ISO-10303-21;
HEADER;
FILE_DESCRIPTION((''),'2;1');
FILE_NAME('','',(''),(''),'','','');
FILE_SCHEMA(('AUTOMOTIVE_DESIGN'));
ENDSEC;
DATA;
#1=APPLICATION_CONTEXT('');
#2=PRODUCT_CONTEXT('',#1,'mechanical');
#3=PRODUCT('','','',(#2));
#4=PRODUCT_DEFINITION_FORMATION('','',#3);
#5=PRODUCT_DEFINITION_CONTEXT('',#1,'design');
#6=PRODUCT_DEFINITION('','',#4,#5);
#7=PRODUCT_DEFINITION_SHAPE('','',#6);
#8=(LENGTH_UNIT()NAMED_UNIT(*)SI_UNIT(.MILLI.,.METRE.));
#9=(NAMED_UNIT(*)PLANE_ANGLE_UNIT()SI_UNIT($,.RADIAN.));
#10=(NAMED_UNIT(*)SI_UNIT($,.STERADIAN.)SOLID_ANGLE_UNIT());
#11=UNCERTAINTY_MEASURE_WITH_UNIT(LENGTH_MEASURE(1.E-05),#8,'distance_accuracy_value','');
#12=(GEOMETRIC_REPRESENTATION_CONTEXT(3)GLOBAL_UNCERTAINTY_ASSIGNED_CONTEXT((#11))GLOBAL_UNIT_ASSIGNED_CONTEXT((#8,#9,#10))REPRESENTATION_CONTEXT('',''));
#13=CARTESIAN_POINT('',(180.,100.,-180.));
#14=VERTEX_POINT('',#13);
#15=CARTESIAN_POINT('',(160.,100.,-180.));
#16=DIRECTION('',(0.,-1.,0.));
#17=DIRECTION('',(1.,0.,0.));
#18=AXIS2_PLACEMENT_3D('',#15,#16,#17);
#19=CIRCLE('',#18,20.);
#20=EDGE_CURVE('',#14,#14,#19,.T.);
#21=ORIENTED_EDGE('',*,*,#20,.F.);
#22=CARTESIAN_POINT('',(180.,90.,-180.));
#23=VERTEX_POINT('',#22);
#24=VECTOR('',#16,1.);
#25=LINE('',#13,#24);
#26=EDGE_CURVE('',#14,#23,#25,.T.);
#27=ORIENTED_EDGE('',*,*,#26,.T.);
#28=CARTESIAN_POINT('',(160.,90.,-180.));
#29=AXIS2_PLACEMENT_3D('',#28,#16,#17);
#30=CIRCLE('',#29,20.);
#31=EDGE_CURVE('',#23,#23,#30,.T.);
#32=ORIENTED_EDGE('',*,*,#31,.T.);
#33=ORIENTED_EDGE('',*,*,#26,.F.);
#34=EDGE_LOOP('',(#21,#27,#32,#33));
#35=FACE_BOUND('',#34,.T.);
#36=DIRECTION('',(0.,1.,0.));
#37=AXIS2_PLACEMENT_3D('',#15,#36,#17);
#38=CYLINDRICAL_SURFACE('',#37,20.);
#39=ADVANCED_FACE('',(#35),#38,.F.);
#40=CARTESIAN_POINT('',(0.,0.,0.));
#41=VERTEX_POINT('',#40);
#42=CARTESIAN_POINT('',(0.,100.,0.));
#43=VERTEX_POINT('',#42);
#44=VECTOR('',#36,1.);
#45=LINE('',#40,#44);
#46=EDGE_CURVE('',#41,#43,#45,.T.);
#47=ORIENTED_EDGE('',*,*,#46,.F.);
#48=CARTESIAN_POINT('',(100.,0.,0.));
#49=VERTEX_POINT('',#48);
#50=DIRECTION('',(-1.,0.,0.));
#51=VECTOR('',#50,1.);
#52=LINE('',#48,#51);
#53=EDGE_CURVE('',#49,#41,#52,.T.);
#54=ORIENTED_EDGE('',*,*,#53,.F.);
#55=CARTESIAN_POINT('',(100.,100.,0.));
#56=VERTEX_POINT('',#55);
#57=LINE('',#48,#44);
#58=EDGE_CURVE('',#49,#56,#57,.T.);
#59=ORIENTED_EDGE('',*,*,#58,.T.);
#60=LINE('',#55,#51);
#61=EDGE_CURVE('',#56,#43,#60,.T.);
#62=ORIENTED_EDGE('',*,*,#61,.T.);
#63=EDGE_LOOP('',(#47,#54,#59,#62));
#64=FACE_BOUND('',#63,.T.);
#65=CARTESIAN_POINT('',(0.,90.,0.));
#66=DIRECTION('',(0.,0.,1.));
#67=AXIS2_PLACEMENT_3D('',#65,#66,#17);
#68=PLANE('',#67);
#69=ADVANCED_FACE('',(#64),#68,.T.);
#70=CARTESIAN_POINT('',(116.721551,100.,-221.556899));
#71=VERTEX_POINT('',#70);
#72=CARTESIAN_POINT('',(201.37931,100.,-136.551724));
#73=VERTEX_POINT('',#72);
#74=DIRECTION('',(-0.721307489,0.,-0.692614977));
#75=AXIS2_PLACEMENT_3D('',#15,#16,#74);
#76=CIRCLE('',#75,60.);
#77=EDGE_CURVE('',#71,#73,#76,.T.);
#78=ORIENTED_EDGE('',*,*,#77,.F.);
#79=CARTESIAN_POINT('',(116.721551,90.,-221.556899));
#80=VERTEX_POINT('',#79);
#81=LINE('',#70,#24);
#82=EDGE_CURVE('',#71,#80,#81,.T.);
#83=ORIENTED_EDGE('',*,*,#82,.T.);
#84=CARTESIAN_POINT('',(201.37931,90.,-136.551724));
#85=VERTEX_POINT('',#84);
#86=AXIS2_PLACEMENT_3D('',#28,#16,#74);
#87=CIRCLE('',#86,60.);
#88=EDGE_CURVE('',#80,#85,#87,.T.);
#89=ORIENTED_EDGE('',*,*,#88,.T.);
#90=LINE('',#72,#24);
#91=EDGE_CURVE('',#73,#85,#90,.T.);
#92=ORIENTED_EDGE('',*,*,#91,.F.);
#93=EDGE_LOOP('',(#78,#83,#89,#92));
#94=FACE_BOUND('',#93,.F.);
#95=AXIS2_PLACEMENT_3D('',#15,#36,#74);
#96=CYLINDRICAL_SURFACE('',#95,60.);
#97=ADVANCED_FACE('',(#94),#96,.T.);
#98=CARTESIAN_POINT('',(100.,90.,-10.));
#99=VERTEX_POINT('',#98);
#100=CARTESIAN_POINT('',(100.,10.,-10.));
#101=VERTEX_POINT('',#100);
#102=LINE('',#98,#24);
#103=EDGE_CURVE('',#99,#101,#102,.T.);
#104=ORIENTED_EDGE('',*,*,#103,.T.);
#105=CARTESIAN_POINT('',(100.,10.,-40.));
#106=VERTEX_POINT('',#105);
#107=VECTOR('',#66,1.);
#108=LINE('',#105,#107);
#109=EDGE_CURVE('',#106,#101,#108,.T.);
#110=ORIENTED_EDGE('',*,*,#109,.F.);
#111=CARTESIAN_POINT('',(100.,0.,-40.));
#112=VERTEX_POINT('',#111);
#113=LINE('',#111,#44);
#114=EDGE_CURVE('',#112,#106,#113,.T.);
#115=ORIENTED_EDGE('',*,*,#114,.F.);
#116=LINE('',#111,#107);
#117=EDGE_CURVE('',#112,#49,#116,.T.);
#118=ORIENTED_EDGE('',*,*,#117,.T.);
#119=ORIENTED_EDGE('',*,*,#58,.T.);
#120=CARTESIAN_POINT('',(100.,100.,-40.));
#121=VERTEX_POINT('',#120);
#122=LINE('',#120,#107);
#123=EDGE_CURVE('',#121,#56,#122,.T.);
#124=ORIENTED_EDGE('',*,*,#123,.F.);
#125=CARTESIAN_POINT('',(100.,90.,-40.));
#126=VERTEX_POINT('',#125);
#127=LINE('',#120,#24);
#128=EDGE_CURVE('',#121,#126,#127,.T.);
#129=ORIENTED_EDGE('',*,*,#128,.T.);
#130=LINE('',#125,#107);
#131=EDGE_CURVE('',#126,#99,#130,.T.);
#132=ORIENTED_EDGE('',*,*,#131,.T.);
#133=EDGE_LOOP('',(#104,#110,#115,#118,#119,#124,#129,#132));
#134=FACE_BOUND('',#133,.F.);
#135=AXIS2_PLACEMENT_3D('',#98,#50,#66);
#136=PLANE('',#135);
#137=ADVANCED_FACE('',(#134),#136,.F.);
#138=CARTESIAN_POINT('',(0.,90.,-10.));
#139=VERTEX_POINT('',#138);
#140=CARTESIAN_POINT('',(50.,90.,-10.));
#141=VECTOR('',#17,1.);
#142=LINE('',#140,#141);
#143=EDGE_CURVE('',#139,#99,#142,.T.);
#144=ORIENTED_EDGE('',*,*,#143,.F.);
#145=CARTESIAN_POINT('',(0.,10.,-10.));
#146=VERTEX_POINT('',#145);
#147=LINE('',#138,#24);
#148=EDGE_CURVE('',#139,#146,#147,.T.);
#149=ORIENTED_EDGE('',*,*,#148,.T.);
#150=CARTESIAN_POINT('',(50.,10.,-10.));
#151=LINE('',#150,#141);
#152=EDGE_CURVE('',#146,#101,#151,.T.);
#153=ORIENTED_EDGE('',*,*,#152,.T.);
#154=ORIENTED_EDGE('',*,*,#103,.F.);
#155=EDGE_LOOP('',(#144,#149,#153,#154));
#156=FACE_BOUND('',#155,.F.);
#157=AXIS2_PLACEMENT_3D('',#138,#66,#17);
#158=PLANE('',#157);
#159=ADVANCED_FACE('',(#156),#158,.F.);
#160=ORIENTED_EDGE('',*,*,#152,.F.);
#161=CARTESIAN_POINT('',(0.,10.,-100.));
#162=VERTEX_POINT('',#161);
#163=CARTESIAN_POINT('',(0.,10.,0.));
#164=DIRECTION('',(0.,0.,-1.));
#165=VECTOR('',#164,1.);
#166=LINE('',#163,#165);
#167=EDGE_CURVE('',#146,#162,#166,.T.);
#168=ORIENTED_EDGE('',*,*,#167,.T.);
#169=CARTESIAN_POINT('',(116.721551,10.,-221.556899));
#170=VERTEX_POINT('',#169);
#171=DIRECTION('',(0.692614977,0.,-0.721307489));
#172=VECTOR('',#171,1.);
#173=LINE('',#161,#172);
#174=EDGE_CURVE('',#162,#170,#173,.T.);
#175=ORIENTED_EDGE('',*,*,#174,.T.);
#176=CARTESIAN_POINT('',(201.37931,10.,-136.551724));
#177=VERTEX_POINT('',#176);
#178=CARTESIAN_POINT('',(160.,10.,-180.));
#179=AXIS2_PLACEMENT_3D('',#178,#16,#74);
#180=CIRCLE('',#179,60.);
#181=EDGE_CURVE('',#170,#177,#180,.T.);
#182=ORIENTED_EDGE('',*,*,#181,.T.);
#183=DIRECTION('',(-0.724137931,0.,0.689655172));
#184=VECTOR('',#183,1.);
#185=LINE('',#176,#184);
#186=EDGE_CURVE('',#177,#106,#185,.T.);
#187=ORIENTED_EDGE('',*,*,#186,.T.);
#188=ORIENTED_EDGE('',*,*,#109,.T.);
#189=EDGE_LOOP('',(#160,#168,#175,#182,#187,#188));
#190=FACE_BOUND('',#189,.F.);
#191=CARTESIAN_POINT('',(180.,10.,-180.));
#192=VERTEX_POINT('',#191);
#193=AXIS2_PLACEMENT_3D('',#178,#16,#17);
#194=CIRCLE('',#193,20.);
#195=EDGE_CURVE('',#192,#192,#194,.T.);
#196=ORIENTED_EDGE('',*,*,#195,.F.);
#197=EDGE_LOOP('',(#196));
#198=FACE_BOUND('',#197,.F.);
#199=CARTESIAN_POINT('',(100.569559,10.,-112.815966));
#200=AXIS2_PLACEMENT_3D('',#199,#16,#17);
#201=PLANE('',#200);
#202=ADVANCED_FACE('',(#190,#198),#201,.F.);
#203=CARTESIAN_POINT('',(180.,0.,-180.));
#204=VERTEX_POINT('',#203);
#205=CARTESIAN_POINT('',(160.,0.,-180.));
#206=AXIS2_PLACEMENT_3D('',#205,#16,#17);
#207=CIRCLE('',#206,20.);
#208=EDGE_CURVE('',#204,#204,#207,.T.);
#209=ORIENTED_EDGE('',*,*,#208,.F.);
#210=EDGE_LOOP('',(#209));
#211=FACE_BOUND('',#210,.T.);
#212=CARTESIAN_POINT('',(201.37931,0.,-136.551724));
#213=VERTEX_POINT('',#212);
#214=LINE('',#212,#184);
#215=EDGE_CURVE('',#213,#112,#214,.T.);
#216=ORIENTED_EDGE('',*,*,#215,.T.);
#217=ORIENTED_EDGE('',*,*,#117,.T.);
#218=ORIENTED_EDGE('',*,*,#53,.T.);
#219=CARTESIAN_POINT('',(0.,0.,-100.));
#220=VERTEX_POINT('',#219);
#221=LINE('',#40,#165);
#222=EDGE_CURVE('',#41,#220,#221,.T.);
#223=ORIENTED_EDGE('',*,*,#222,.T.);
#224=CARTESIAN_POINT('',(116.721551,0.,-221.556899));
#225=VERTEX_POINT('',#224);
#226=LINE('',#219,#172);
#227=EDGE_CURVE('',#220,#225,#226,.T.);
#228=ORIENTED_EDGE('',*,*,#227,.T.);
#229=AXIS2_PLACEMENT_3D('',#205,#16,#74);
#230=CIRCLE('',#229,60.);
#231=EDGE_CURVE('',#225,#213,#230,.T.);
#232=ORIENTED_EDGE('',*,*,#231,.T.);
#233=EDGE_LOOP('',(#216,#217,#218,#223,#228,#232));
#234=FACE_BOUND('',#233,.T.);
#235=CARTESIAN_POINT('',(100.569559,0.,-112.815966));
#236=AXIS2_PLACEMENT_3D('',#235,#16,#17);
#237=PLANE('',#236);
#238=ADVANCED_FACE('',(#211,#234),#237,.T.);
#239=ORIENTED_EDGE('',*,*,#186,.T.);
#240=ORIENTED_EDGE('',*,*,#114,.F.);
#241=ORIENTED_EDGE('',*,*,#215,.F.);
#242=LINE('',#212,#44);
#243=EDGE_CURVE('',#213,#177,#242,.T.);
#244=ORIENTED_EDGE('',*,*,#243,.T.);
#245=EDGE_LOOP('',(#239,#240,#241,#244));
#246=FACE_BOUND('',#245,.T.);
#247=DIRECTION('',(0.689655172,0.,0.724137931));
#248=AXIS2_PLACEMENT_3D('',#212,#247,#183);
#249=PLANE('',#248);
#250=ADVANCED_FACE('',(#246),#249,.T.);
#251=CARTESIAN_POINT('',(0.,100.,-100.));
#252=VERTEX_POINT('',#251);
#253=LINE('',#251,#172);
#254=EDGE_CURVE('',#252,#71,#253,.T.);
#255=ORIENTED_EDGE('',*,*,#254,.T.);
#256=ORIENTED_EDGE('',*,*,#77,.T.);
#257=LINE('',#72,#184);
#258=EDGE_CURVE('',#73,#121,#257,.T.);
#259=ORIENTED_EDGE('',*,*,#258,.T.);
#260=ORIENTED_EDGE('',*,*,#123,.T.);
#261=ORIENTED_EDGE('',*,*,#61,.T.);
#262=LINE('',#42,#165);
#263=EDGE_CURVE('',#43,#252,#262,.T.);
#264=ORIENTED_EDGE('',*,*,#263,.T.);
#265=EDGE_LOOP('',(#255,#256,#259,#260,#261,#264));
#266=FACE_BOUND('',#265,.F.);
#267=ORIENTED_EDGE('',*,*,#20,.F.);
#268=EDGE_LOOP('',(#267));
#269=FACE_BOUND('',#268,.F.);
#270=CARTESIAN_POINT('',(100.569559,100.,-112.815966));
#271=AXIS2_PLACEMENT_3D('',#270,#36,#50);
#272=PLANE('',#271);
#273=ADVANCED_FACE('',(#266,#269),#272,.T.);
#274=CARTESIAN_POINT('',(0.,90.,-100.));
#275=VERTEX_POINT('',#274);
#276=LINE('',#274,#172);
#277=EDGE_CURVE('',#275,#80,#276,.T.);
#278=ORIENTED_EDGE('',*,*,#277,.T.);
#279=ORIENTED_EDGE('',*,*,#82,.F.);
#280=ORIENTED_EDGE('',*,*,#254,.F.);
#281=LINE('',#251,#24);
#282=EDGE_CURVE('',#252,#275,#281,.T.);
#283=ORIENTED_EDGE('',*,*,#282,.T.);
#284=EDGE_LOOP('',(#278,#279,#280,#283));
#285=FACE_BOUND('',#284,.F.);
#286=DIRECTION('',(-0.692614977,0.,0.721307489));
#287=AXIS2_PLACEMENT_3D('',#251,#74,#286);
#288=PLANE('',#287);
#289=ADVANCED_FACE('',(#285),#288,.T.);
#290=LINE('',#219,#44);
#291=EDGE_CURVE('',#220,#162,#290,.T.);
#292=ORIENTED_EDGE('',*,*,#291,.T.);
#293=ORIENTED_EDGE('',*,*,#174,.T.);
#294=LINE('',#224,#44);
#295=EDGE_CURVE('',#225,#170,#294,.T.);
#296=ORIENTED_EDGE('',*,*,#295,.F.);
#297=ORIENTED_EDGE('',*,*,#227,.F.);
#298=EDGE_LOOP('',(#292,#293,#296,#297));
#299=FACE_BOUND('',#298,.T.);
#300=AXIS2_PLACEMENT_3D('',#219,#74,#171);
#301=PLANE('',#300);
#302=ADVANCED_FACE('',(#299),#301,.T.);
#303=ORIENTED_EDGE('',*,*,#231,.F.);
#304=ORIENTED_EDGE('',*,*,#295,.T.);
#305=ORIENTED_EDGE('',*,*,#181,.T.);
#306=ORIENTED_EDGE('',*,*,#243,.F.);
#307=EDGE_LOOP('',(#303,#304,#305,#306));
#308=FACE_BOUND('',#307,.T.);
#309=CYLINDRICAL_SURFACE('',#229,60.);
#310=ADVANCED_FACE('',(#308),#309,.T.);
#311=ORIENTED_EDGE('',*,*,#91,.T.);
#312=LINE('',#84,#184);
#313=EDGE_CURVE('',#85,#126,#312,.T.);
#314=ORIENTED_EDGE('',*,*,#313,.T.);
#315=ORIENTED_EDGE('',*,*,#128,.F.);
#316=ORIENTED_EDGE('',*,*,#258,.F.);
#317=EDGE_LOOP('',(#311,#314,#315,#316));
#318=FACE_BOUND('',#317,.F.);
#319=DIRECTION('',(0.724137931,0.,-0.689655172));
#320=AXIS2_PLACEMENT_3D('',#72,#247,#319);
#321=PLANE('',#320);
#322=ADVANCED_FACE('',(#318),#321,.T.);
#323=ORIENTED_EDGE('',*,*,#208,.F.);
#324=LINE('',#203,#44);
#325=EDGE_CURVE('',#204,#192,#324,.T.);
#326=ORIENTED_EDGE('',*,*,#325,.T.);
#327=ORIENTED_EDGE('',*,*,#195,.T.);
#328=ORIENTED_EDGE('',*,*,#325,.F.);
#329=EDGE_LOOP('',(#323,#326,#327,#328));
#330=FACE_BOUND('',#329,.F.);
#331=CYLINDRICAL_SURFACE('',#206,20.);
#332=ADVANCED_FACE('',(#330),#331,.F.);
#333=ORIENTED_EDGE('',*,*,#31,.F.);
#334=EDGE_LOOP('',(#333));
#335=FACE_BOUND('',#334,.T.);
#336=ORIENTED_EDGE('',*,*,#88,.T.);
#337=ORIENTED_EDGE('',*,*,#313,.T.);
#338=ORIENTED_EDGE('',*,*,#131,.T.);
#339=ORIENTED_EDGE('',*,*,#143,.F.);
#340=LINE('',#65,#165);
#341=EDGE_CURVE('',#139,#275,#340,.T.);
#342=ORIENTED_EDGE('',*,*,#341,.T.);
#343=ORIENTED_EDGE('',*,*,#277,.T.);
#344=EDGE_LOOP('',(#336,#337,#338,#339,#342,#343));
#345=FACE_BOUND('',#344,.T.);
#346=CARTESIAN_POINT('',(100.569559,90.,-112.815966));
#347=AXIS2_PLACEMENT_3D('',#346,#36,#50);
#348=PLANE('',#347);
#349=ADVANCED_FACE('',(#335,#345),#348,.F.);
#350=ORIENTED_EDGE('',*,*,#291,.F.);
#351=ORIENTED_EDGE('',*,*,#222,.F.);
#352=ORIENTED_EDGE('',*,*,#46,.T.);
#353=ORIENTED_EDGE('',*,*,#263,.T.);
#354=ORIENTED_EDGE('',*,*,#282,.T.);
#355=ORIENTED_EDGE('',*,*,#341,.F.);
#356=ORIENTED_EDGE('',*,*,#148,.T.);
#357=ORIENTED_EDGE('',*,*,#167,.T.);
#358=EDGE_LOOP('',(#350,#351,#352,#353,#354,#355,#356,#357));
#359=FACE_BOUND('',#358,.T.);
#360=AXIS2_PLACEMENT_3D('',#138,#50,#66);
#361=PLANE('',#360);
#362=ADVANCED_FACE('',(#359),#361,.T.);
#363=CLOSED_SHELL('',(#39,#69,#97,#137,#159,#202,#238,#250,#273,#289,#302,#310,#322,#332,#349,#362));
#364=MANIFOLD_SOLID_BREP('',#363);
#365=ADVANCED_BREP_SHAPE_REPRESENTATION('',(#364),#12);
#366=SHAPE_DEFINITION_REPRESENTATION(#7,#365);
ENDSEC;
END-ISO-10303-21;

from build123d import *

# Parameters (mm, degrees)
F0_R     = 20
F1_DEPTH = 10
F4_W     = 100
F4_H     = 10
F5_DEPTH = 80


with BuildPart() as f1:
    # F0 (on Front) → F1 (new body)
    with BuildSketch(Plane.XZ):
        with BuildLine():
            Line((100, 0), (0, 0))
            Line((0, 0), (0, -100))
            Line((0, -100), (116.7215506805, -221.5568986391))
            ThreePointArc((116.7215506805, -221.5568986391), (202.5131933075, -222.3394425423), (201.3793103448, -136.5517241379))
            Line((201.3793103448, -136.5517241379), (100, -40))
            Line((100, -40), (100, 0))
        make_face()
        with Locations((160, -180)):
            Circle(F0_R, mode=Mode.SUBTRACT)
    extrude(amount=-F1_DEPTH)


with BuildPart() as f3_1:
    # F3: instance of F1
    add(f1.part.mirror(Plane.XZ.offset(-50)))


with BuildPart() as f1_1:
    add(f1.part)

    add(f3_1.part)  # F5 merges F3_1
    # F4 (on face) → F5 (join, through all)
    with BuildSketch(Plane.XZ.offset(-90)):
        with Locations((50, -5)):
            Rectangle(F4_W, F4_H)
    extrude(amount=F5_DEPTH)


solid = f1_1.part
